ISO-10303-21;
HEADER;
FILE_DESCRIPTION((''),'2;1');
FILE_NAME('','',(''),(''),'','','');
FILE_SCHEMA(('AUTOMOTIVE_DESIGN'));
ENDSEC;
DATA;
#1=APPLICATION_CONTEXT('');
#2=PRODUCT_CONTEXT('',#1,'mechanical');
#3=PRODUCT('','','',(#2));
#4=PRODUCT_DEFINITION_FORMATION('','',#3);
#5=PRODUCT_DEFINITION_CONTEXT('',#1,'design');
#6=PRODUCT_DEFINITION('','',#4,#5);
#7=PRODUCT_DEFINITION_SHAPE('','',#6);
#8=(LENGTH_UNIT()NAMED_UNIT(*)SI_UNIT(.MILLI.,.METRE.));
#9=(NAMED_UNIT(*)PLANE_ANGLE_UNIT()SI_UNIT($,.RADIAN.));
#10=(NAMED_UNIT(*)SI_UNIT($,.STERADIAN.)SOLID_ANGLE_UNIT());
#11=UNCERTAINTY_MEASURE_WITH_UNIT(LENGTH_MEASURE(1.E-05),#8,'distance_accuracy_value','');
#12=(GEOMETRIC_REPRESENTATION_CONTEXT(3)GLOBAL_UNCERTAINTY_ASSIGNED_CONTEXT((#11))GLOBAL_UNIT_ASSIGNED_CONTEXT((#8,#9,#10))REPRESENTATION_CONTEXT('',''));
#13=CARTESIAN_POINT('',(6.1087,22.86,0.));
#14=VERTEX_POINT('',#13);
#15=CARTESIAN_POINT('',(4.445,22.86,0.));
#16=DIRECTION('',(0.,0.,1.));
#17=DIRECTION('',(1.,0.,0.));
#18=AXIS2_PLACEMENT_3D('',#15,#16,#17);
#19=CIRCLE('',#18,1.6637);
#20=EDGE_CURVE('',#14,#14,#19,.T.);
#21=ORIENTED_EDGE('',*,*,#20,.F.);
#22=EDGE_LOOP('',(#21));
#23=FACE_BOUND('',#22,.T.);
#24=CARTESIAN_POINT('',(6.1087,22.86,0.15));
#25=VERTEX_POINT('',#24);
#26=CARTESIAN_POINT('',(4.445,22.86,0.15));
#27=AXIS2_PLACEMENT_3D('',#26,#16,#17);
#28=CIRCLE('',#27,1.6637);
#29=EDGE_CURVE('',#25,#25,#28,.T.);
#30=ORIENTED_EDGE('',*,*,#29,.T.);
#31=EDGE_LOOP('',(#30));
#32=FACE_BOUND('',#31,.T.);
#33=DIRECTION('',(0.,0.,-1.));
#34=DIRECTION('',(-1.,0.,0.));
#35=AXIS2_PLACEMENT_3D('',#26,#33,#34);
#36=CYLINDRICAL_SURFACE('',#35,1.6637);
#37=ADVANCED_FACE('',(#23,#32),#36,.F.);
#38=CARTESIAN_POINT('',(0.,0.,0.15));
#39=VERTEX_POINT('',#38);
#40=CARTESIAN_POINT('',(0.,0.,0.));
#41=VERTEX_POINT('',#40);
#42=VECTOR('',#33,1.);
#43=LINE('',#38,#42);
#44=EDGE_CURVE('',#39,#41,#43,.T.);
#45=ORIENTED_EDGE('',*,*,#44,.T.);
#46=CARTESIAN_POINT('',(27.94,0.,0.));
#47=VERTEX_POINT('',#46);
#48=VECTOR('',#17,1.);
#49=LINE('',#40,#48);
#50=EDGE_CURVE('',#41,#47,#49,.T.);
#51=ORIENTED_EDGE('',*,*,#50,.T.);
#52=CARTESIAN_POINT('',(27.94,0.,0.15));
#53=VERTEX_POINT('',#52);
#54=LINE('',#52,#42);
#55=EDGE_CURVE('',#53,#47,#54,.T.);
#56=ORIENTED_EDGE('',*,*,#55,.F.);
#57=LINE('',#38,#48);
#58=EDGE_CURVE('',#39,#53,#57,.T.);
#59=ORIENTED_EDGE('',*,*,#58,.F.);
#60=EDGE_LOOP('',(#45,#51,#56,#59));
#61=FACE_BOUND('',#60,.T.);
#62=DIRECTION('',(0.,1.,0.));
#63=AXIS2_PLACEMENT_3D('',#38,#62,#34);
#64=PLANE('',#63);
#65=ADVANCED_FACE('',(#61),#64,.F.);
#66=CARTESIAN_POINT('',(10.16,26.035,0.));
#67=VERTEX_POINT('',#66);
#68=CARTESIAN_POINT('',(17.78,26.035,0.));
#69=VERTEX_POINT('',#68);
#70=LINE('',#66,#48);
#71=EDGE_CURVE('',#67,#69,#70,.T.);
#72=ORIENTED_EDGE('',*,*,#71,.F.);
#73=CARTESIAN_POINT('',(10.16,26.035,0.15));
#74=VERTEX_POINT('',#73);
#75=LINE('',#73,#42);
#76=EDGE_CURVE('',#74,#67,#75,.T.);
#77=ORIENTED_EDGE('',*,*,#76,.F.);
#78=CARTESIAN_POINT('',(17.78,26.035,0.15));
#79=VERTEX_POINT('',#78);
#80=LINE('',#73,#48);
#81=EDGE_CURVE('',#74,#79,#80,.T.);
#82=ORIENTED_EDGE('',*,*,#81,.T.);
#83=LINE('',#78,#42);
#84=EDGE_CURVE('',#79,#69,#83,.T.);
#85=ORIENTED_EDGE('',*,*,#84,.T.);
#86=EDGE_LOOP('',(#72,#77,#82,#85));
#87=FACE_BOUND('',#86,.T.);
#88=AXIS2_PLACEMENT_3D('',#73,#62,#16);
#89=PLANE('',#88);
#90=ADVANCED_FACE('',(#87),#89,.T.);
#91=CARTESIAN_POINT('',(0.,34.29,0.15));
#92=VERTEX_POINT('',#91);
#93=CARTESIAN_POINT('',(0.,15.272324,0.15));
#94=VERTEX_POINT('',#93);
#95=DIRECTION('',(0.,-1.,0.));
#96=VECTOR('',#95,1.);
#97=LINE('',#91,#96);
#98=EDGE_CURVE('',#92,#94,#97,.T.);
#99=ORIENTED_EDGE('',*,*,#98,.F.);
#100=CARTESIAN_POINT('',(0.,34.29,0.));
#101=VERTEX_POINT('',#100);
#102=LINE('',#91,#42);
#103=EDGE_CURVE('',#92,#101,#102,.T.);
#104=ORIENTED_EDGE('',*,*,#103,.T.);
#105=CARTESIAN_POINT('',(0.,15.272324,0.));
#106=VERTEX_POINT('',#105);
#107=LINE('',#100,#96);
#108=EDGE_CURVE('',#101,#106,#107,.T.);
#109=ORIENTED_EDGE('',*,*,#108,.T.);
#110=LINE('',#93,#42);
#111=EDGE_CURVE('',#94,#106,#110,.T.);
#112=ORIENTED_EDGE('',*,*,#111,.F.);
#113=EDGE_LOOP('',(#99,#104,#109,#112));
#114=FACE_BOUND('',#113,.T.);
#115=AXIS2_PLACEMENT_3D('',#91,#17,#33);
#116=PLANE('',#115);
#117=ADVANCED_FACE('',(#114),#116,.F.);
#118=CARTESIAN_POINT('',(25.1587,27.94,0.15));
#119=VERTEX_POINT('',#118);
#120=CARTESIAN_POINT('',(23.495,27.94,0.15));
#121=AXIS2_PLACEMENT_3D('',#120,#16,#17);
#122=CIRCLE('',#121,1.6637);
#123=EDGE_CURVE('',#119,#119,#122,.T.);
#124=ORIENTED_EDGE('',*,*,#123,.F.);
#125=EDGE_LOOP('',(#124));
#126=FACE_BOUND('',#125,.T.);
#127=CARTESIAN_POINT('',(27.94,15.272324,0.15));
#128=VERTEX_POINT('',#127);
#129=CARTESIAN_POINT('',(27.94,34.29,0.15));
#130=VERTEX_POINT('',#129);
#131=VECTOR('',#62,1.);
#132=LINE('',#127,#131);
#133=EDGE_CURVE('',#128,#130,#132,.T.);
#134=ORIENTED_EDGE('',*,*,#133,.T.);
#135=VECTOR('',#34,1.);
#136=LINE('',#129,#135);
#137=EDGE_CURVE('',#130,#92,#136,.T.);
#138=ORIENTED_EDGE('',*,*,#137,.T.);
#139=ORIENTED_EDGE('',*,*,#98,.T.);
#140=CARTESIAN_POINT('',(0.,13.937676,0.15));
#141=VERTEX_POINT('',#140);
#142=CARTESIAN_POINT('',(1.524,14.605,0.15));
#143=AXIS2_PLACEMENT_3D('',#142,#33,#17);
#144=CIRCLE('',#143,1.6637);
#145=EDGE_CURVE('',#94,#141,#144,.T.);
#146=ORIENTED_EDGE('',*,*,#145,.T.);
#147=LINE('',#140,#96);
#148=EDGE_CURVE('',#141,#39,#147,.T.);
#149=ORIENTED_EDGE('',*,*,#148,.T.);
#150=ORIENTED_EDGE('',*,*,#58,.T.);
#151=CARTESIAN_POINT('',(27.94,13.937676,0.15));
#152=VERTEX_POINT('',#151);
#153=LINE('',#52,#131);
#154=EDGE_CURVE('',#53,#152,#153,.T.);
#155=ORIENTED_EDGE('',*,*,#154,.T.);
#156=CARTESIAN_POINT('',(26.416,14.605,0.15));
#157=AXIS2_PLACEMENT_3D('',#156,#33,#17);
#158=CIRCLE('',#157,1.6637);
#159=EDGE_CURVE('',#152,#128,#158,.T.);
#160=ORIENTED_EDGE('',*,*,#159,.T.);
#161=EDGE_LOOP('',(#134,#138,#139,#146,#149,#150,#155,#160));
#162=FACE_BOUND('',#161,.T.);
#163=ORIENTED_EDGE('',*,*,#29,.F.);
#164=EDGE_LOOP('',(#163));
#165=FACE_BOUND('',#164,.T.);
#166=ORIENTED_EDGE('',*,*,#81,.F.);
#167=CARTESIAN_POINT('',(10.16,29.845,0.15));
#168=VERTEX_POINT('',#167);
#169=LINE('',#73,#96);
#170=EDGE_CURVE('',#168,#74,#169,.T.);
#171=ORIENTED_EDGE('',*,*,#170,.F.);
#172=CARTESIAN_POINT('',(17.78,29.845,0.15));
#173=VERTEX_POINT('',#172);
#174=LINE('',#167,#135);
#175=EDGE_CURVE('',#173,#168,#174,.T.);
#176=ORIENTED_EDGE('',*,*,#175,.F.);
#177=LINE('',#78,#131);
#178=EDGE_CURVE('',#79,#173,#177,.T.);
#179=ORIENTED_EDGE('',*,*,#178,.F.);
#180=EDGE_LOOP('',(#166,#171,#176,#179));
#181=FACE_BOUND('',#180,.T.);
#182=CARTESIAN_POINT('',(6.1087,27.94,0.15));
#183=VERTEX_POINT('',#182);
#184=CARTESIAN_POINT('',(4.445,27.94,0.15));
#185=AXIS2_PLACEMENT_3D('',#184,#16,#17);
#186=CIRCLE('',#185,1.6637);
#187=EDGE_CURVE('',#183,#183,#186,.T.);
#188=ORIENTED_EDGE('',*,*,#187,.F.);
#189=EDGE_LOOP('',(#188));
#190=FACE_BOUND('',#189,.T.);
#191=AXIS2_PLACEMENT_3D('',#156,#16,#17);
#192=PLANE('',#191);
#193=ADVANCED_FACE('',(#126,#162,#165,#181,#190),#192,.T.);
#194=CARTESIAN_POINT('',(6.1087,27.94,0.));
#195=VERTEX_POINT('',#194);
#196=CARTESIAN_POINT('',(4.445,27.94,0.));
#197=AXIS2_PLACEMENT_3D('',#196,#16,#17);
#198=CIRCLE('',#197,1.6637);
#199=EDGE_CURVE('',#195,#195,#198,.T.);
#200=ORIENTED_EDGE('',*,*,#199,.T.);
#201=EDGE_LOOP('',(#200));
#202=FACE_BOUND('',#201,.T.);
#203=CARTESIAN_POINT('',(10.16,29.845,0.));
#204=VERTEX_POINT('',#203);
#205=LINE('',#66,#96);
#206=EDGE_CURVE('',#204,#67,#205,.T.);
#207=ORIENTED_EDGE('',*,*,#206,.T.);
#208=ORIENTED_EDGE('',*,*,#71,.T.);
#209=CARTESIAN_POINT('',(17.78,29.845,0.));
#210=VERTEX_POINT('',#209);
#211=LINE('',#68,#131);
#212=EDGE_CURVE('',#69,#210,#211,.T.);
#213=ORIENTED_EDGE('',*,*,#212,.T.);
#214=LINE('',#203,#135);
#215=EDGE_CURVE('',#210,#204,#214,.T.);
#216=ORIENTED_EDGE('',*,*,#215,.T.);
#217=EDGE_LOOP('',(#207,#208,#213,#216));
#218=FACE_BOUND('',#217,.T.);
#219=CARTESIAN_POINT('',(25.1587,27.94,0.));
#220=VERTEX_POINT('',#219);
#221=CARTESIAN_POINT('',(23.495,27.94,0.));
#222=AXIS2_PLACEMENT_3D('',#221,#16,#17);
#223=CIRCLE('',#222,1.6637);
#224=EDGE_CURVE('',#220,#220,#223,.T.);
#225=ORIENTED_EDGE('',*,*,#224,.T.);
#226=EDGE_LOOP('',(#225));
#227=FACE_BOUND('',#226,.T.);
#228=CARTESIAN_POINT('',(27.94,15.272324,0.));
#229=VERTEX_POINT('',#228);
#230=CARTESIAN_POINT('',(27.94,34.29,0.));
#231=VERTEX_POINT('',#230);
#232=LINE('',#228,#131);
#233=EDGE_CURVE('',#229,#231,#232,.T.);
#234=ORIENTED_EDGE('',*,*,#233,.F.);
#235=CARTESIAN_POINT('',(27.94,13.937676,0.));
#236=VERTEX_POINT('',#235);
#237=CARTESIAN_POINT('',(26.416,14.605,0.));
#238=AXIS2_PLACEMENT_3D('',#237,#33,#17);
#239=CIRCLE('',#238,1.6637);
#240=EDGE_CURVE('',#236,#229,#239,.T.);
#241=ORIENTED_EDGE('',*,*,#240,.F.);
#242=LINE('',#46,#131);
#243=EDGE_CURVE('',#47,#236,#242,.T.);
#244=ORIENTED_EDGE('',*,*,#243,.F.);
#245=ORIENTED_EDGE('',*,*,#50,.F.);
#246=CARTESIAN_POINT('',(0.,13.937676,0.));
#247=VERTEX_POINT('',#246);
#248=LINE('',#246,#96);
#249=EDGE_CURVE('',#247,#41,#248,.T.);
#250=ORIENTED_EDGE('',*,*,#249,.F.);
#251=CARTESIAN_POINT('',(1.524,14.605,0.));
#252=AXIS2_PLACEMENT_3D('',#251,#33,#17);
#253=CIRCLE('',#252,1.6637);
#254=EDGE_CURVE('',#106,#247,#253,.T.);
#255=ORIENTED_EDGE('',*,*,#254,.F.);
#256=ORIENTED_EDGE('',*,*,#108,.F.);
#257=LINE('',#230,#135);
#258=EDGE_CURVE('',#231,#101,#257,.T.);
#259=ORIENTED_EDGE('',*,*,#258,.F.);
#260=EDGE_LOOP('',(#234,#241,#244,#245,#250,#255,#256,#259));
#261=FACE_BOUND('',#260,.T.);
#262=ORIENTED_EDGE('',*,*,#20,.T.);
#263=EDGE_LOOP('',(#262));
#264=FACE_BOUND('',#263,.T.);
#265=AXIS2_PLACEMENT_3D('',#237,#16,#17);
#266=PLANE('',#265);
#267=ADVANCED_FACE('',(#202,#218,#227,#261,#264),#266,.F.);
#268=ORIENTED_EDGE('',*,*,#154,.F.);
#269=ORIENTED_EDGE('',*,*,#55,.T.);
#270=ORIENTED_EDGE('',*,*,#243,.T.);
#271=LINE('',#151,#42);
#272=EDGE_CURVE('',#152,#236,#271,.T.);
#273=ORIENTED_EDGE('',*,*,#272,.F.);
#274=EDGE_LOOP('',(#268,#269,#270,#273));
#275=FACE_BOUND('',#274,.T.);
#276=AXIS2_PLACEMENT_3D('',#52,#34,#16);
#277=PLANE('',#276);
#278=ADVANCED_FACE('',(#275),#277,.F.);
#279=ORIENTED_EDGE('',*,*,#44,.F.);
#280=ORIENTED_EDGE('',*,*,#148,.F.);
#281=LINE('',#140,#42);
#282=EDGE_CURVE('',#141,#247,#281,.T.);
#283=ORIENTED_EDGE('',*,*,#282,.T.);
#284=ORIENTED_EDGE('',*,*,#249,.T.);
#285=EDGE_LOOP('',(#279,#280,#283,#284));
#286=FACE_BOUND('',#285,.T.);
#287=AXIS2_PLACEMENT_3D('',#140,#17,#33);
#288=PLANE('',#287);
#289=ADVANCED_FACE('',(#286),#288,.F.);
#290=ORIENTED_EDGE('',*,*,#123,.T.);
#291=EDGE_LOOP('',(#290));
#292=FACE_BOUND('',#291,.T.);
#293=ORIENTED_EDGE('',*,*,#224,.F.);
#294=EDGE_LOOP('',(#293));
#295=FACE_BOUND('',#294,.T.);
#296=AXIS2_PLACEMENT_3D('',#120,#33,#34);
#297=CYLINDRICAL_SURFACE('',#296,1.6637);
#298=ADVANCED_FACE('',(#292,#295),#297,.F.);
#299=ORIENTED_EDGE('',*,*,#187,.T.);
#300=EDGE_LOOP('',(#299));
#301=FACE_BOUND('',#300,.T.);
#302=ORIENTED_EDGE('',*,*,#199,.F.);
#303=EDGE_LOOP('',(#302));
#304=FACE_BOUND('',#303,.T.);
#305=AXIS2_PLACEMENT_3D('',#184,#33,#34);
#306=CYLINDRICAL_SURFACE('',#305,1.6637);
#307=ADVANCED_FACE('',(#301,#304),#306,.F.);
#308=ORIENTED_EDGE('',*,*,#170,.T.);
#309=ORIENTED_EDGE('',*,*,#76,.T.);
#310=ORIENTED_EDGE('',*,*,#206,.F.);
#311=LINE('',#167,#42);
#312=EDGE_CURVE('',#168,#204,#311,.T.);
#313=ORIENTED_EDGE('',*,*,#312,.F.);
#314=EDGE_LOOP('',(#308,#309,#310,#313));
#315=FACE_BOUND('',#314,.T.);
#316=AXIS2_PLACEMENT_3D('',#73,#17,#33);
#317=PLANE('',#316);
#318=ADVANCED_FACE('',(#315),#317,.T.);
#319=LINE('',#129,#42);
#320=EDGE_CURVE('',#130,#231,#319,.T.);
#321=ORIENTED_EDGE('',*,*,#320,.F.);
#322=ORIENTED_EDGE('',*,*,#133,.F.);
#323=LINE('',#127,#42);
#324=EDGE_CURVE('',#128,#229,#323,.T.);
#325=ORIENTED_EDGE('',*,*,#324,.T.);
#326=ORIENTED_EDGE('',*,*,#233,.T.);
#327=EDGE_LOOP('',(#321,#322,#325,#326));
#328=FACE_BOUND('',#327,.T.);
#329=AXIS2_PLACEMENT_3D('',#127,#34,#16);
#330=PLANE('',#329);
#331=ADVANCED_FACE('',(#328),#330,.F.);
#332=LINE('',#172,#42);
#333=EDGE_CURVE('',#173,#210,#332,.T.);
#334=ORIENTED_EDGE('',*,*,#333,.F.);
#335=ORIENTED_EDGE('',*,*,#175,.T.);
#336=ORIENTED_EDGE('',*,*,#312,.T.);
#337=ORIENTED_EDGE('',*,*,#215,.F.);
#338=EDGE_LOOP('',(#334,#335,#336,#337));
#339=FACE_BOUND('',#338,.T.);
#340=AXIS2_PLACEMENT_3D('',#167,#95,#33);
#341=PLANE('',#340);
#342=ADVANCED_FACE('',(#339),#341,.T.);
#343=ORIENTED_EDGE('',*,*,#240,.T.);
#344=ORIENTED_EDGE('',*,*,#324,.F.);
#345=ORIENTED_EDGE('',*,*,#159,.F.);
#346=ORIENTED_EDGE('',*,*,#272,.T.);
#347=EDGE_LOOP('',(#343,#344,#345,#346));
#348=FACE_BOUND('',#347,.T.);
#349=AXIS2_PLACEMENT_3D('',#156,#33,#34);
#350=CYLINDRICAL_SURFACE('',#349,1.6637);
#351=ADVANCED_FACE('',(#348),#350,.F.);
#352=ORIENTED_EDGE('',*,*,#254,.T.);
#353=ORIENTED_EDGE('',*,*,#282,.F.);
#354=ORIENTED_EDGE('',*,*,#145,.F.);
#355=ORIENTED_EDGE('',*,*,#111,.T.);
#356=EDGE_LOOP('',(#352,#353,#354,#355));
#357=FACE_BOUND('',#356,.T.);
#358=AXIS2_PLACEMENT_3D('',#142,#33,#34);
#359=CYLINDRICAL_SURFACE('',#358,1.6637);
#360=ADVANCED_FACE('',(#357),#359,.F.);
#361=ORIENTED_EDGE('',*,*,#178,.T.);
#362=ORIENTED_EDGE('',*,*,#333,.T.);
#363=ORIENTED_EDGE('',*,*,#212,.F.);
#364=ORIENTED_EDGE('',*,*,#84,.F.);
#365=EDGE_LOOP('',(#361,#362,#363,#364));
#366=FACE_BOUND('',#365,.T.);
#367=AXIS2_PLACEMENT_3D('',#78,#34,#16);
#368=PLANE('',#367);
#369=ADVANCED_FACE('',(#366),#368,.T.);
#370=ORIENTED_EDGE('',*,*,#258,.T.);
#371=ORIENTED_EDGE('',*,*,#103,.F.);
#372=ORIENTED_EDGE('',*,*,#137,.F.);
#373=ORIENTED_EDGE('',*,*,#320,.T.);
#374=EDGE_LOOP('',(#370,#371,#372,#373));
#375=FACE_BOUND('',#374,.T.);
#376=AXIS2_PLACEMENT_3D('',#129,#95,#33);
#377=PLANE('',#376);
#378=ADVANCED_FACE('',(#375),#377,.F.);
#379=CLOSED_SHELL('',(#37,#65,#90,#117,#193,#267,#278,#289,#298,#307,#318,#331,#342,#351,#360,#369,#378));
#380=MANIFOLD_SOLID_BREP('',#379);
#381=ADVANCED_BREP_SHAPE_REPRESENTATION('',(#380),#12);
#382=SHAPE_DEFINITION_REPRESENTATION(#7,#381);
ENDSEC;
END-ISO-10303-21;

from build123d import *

# Parameters (mm, degrees)
SKETCH2_R           = 1.6637
SKETCH2_W           = 7.62
SKETCH2_H           = 3.81
BOSS_EXTRUDE1_DEPTH = 0.15


with BuildPart() as part:
    # Sketch2 → Boss-Extrude1 (new body)
    with BuildSketch(Plane.XY):
        with BuildLine():
            Line((0, 0), (27.94, 0))
            Line((27.94, 0), (27.94, 13.937675724))
            ThreePointArc((27.94, 13.937675724), (24.7523, 14.605), (27.94, 15.272324276))
            Line((27.94, 15.272324276), (27.94, 34.29))
            Line((27.94, 34.29), (0, 34.29))
            Line((0, 34.29), (0, 15.272324276))
            ThreePointArc((0, 15.272324276), (3.1877, 14.605), (0, 13.937675724))
            Line((0, 13.937675724), (0, 0))
        make_face()
        with Locations((4.445, 22.86)):
            Circle(SKETCH2_R, mode=Mode.SUBTRACT)
        with Locations((4.445, 27.94)):
            Circle(SKETCH2_R, mode=Mode.SUBTRACT)
        with Locations((23.495, 27.94)):
            Circle(SKETCH2_R, mode=Mode.SUBTRACT)
        with Locations((13.97, 27.94)):
            Rectangle(SKETCH2_W, SKETCH2_H, mode=Mode.SUBTRACT)
    extrude(amount=BOSS_EXTRUDE1_DEPTH)


solid = part.part
